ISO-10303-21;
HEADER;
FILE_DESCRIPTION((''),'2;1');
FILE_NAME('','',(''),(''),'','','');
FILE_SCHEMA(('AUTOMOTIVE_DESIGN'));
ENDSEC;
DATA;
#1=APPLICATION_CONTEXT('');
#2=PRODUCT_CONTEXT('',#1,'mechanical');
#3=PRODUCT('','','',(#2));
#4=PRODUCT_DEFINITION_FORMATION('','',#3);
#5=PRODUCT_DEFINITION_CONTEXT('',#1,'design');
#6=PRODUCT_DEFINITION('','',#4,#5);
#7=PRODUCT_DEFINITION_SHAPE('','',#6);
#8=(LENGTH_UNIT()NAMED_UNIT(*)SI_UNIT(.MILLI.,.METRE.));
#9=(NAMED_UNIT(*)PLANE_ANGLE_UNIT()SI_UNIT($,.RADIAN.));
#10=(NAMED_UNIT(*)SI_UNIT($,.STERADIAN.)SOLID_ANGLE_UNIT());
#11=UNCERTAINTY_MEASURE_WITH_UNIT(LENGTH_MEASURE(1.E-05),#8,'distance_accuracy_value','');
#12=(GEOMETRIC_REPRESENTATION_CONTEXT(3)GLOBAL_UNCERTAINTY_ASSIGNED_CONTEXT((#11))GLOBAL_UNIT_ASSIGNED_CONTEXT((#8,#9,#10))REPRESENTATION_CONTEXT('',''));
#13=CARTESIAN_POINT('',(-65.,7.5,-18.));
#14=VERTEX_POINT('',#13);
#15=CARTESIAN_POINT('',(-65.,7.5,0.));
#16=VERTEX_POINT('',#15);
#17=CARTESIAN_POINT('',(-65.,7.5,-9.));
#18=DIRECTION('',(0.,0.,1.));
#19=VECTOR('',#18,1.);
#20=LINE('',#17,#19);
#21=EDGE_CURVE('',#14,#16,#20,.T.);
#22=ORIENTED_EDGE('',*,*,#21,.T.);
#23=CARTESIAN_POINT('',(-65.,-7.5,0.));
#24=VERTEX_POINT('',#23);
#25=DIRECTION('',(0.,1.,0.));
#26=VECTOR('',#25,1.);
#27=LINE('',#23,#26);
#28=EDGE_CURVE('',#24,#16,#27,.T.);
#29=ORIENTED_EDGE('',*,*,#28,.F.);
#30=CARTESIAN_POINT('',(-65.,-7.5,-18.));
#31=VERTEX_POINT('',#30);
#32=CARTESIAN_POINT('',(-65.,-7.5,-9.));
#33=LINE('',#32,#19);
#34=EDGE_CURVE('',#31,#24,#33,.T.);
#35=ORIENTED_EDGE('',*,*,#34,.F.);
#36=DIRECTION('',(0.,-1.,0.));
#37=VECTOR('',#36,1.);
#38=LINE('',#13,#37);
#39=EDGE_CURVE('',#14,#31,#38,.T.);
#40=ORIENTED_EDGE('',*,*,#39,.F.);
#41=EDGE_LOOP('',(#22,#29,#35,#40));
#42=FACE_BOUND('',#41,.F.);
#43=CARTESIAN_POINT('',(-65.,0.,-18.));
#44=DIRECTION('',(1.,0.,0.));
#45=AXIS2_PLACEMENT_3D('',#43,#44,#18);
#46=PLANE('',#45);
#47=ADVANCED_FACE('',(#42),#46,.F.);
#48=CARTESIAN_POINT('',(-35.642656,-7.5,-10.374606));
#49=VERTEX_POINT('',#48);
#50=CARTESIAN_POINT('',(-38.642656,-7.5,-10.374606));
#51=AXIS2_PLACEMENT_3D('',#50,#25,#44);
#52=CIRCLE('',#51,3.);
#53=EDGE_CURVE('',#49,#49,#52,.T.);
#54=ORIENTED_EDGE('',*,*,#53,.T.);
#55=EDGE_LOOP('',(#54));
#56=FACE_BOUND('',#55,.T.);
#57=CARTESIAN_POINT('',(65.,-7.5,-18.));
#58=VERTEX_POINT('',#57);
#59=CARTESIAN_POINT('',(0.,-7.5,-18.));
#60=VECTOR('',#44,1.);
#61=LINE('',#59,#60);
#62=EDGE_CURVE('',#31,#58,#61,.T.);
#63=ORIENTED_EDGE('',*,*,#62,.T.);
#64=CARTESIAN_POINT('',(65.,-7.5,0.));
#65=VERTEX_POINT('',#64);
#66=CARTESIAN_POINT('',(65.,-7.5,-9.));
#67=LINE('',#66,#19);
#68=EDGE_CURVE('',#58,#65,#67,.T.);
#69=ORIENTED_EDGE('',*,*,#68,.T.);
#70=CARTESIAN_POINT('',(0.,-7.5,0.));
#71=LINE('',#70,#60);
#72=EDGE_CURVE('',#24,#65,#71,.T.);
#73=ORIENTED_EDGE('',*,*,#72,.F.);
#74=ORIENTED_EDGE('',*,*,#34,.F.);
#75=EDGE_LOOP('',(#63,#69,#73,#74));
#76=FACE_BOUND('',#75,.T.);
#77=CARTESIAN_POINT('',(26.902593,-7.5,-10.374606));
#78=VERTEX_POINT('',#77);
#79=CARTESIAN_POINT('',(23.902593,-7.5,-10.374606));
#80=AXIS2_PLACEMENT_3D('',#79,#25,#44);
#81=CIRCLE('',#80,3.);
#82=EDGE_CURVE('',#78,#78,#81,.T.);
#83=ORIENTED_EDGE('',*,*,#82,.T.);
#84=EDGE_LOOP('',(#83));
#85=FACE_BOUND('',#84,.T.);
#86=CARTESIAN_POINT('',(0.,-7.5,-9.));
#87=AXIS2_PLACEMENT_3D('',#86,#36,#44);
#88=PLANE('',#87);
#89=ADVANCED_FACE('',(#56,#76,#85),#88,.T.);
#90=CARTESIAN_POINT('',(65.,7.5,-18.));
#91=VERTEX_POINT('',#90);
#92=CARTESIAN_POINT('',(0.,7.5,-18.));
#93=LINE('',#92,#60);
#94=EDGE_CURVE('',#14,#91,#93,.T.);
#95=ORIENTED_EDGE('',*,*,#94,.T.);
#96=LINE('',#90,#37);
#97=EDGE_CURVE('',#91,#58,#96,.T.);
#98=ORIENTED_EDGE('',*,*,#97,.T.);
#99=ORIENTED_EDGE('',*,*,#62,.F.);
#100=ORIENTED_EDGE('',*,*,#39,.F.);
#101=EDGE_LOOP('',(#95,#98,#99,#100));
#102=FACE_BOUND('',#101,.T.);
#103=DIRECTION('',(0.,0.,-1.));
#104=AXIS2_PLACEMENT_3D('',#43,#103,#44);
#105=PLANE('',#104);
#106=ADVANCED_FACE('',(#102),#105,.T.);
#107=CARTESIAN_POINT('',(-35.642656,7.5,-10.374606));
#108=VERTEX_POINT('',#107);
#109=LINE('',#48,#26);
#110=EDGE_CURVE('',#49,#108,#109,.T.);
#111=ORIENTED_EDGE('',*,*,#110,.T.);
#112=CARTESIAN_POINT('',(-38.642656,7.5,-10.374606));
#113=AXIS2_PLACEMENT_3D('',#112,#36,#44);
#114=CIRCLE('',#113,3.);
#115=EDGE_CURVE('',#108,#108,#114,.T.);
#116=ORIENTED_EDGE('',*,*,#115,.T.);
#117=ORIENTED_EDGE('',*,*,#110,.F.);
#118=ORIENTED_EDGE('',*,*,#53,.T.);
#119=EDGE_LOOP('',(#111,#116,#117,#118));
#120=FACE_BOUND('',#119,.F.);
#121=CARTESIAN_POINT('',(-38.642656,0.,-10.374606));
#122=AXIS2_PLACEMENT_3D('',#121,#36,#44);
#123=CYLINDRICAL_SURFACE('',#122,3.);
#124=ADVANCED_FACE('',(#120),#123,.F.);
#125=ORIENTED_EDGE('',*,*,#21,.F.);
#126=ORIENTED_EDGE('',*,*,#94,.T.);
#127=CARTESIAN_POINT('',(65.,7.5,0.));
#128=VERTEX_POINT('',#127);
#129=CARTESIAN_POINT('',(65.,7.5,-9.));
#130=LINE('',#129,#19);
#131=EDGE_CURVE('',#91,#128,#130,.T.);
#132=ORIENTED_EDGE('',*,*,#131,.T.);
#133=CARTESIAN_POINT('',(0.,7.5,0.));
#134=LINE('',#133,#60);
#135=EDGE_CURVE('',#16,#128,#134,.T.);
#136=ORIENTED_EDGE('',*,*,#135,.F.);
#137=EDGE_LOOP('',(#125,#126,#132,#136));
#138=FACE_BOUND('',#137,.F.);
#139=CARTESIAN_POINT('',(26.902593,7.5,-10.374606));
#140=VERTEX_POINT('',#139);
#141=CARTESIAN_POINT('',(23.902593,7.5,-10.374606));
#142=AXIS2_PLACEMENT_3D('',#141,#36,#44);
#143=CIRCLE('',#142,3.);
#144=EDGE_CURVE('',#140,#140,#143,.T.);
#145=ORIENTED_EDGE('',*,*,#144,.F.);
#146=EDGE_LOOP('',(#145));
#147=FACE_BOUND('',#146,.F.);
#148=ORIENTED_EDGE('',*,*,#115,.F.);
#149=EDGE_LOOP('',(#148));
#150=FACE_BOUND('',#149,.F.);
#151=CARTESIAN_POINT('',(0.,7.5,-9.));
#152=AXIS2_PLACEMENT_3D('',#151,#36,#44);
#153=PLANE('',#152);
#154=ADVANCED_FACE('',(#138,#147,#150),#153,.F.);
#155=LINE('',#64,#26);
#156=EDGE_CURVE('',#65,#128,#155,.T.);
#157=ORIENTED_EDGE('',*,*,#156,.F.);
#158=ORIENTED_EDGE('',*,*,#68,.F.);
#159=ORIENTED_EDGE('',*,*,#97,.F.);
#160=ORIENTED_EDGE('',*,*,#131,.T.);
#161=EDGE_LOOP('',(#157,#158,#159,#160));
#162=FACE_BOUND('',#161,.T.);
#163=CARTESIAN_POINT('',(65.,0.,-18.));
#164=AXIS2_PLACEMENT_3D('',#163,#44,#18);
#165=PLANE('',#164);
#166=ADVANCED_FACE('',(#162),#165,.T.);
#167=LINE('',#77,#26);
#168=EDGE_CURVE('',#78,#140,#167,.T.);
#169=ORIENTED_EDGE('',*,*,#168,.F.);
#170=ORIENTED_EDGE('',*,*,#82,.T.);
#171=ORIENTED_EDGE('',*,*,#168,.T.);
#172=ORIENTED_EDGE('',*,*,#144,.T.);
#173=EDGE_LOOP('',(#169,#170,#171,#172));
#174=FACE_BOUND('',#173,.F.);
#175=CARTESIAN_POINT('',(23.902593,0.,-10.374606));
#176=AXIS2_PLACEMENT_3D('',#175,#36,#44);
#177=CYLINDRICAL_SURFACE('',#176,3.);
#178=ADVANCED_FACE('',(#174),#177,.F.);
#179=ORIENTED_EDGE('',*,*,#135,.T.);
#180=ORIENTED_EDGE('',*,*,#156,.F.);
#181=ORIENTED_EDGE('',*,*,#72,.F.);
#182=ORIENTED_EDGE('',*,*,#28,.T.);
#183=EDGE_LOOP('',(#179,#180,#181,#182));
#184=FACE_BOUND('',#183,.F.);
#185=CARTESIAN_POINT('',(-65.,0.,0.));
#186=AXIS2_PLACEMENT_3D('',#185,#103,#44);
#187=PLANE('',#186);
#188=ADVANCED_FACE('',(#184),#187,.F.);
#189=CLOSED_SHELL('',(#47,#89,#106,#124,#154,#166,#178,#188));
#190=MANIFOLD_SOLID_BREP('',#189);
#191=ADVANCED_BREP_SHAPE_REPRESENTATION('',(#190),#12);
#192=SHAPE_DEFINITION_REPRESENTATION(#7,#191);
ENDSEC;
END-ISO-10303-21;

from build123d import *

# Parameters (mm, degrees)
F0_W          = 130
F0_H          = 18
F0_R          = 3
F1_DEPTH      = 7.5
F2_R          = 3
F3_DEPTH      = 7.501
F3_DEPTH_BACK = 25


with BuildPart() as f1:
    # F0 (on Front) → F1 (new body, symmetric)
    with BuildSketch(Plane.XZ):
        with Locations((0, -9)):
            Rectangle(F0_W, F0_H)
        with Locations((-32.9453274608, -9.836692363)):
            Circle(F0_R, mode=Mode.SUBTRACT)
        with Locations((41.1642305553, -9.836692363)):
            Circle(F0_R, mode=Mode.SUBTRACT)
        with Locations((-32.9453274608, -9.836692363)):
            Circle(F0_R)
        with Locations((41.1642305553, -9.836692363)):
            Circle(F0_R)
    extrude(amount=F1_DEPTH, both=True)

    # F2 (on Front) → F3 (cut, two sides)
    with BuildSketch(Plane.XZ) as f3_sk:
        with Locations((-38.6426560581, -10.3746056557)):
            Circle(F2_R)
        with Locations((23.9025931805, -10.3746056557)):
            Circle(F2_R)
    extrude(amount=-F3_DEPTH, mode=Mode.SUBTRACT)
    extrude(f3_sk.sketch, amount=F3_DEPTH_BACK, mode=Mode.SUBTRACT)


solid = f1.part
